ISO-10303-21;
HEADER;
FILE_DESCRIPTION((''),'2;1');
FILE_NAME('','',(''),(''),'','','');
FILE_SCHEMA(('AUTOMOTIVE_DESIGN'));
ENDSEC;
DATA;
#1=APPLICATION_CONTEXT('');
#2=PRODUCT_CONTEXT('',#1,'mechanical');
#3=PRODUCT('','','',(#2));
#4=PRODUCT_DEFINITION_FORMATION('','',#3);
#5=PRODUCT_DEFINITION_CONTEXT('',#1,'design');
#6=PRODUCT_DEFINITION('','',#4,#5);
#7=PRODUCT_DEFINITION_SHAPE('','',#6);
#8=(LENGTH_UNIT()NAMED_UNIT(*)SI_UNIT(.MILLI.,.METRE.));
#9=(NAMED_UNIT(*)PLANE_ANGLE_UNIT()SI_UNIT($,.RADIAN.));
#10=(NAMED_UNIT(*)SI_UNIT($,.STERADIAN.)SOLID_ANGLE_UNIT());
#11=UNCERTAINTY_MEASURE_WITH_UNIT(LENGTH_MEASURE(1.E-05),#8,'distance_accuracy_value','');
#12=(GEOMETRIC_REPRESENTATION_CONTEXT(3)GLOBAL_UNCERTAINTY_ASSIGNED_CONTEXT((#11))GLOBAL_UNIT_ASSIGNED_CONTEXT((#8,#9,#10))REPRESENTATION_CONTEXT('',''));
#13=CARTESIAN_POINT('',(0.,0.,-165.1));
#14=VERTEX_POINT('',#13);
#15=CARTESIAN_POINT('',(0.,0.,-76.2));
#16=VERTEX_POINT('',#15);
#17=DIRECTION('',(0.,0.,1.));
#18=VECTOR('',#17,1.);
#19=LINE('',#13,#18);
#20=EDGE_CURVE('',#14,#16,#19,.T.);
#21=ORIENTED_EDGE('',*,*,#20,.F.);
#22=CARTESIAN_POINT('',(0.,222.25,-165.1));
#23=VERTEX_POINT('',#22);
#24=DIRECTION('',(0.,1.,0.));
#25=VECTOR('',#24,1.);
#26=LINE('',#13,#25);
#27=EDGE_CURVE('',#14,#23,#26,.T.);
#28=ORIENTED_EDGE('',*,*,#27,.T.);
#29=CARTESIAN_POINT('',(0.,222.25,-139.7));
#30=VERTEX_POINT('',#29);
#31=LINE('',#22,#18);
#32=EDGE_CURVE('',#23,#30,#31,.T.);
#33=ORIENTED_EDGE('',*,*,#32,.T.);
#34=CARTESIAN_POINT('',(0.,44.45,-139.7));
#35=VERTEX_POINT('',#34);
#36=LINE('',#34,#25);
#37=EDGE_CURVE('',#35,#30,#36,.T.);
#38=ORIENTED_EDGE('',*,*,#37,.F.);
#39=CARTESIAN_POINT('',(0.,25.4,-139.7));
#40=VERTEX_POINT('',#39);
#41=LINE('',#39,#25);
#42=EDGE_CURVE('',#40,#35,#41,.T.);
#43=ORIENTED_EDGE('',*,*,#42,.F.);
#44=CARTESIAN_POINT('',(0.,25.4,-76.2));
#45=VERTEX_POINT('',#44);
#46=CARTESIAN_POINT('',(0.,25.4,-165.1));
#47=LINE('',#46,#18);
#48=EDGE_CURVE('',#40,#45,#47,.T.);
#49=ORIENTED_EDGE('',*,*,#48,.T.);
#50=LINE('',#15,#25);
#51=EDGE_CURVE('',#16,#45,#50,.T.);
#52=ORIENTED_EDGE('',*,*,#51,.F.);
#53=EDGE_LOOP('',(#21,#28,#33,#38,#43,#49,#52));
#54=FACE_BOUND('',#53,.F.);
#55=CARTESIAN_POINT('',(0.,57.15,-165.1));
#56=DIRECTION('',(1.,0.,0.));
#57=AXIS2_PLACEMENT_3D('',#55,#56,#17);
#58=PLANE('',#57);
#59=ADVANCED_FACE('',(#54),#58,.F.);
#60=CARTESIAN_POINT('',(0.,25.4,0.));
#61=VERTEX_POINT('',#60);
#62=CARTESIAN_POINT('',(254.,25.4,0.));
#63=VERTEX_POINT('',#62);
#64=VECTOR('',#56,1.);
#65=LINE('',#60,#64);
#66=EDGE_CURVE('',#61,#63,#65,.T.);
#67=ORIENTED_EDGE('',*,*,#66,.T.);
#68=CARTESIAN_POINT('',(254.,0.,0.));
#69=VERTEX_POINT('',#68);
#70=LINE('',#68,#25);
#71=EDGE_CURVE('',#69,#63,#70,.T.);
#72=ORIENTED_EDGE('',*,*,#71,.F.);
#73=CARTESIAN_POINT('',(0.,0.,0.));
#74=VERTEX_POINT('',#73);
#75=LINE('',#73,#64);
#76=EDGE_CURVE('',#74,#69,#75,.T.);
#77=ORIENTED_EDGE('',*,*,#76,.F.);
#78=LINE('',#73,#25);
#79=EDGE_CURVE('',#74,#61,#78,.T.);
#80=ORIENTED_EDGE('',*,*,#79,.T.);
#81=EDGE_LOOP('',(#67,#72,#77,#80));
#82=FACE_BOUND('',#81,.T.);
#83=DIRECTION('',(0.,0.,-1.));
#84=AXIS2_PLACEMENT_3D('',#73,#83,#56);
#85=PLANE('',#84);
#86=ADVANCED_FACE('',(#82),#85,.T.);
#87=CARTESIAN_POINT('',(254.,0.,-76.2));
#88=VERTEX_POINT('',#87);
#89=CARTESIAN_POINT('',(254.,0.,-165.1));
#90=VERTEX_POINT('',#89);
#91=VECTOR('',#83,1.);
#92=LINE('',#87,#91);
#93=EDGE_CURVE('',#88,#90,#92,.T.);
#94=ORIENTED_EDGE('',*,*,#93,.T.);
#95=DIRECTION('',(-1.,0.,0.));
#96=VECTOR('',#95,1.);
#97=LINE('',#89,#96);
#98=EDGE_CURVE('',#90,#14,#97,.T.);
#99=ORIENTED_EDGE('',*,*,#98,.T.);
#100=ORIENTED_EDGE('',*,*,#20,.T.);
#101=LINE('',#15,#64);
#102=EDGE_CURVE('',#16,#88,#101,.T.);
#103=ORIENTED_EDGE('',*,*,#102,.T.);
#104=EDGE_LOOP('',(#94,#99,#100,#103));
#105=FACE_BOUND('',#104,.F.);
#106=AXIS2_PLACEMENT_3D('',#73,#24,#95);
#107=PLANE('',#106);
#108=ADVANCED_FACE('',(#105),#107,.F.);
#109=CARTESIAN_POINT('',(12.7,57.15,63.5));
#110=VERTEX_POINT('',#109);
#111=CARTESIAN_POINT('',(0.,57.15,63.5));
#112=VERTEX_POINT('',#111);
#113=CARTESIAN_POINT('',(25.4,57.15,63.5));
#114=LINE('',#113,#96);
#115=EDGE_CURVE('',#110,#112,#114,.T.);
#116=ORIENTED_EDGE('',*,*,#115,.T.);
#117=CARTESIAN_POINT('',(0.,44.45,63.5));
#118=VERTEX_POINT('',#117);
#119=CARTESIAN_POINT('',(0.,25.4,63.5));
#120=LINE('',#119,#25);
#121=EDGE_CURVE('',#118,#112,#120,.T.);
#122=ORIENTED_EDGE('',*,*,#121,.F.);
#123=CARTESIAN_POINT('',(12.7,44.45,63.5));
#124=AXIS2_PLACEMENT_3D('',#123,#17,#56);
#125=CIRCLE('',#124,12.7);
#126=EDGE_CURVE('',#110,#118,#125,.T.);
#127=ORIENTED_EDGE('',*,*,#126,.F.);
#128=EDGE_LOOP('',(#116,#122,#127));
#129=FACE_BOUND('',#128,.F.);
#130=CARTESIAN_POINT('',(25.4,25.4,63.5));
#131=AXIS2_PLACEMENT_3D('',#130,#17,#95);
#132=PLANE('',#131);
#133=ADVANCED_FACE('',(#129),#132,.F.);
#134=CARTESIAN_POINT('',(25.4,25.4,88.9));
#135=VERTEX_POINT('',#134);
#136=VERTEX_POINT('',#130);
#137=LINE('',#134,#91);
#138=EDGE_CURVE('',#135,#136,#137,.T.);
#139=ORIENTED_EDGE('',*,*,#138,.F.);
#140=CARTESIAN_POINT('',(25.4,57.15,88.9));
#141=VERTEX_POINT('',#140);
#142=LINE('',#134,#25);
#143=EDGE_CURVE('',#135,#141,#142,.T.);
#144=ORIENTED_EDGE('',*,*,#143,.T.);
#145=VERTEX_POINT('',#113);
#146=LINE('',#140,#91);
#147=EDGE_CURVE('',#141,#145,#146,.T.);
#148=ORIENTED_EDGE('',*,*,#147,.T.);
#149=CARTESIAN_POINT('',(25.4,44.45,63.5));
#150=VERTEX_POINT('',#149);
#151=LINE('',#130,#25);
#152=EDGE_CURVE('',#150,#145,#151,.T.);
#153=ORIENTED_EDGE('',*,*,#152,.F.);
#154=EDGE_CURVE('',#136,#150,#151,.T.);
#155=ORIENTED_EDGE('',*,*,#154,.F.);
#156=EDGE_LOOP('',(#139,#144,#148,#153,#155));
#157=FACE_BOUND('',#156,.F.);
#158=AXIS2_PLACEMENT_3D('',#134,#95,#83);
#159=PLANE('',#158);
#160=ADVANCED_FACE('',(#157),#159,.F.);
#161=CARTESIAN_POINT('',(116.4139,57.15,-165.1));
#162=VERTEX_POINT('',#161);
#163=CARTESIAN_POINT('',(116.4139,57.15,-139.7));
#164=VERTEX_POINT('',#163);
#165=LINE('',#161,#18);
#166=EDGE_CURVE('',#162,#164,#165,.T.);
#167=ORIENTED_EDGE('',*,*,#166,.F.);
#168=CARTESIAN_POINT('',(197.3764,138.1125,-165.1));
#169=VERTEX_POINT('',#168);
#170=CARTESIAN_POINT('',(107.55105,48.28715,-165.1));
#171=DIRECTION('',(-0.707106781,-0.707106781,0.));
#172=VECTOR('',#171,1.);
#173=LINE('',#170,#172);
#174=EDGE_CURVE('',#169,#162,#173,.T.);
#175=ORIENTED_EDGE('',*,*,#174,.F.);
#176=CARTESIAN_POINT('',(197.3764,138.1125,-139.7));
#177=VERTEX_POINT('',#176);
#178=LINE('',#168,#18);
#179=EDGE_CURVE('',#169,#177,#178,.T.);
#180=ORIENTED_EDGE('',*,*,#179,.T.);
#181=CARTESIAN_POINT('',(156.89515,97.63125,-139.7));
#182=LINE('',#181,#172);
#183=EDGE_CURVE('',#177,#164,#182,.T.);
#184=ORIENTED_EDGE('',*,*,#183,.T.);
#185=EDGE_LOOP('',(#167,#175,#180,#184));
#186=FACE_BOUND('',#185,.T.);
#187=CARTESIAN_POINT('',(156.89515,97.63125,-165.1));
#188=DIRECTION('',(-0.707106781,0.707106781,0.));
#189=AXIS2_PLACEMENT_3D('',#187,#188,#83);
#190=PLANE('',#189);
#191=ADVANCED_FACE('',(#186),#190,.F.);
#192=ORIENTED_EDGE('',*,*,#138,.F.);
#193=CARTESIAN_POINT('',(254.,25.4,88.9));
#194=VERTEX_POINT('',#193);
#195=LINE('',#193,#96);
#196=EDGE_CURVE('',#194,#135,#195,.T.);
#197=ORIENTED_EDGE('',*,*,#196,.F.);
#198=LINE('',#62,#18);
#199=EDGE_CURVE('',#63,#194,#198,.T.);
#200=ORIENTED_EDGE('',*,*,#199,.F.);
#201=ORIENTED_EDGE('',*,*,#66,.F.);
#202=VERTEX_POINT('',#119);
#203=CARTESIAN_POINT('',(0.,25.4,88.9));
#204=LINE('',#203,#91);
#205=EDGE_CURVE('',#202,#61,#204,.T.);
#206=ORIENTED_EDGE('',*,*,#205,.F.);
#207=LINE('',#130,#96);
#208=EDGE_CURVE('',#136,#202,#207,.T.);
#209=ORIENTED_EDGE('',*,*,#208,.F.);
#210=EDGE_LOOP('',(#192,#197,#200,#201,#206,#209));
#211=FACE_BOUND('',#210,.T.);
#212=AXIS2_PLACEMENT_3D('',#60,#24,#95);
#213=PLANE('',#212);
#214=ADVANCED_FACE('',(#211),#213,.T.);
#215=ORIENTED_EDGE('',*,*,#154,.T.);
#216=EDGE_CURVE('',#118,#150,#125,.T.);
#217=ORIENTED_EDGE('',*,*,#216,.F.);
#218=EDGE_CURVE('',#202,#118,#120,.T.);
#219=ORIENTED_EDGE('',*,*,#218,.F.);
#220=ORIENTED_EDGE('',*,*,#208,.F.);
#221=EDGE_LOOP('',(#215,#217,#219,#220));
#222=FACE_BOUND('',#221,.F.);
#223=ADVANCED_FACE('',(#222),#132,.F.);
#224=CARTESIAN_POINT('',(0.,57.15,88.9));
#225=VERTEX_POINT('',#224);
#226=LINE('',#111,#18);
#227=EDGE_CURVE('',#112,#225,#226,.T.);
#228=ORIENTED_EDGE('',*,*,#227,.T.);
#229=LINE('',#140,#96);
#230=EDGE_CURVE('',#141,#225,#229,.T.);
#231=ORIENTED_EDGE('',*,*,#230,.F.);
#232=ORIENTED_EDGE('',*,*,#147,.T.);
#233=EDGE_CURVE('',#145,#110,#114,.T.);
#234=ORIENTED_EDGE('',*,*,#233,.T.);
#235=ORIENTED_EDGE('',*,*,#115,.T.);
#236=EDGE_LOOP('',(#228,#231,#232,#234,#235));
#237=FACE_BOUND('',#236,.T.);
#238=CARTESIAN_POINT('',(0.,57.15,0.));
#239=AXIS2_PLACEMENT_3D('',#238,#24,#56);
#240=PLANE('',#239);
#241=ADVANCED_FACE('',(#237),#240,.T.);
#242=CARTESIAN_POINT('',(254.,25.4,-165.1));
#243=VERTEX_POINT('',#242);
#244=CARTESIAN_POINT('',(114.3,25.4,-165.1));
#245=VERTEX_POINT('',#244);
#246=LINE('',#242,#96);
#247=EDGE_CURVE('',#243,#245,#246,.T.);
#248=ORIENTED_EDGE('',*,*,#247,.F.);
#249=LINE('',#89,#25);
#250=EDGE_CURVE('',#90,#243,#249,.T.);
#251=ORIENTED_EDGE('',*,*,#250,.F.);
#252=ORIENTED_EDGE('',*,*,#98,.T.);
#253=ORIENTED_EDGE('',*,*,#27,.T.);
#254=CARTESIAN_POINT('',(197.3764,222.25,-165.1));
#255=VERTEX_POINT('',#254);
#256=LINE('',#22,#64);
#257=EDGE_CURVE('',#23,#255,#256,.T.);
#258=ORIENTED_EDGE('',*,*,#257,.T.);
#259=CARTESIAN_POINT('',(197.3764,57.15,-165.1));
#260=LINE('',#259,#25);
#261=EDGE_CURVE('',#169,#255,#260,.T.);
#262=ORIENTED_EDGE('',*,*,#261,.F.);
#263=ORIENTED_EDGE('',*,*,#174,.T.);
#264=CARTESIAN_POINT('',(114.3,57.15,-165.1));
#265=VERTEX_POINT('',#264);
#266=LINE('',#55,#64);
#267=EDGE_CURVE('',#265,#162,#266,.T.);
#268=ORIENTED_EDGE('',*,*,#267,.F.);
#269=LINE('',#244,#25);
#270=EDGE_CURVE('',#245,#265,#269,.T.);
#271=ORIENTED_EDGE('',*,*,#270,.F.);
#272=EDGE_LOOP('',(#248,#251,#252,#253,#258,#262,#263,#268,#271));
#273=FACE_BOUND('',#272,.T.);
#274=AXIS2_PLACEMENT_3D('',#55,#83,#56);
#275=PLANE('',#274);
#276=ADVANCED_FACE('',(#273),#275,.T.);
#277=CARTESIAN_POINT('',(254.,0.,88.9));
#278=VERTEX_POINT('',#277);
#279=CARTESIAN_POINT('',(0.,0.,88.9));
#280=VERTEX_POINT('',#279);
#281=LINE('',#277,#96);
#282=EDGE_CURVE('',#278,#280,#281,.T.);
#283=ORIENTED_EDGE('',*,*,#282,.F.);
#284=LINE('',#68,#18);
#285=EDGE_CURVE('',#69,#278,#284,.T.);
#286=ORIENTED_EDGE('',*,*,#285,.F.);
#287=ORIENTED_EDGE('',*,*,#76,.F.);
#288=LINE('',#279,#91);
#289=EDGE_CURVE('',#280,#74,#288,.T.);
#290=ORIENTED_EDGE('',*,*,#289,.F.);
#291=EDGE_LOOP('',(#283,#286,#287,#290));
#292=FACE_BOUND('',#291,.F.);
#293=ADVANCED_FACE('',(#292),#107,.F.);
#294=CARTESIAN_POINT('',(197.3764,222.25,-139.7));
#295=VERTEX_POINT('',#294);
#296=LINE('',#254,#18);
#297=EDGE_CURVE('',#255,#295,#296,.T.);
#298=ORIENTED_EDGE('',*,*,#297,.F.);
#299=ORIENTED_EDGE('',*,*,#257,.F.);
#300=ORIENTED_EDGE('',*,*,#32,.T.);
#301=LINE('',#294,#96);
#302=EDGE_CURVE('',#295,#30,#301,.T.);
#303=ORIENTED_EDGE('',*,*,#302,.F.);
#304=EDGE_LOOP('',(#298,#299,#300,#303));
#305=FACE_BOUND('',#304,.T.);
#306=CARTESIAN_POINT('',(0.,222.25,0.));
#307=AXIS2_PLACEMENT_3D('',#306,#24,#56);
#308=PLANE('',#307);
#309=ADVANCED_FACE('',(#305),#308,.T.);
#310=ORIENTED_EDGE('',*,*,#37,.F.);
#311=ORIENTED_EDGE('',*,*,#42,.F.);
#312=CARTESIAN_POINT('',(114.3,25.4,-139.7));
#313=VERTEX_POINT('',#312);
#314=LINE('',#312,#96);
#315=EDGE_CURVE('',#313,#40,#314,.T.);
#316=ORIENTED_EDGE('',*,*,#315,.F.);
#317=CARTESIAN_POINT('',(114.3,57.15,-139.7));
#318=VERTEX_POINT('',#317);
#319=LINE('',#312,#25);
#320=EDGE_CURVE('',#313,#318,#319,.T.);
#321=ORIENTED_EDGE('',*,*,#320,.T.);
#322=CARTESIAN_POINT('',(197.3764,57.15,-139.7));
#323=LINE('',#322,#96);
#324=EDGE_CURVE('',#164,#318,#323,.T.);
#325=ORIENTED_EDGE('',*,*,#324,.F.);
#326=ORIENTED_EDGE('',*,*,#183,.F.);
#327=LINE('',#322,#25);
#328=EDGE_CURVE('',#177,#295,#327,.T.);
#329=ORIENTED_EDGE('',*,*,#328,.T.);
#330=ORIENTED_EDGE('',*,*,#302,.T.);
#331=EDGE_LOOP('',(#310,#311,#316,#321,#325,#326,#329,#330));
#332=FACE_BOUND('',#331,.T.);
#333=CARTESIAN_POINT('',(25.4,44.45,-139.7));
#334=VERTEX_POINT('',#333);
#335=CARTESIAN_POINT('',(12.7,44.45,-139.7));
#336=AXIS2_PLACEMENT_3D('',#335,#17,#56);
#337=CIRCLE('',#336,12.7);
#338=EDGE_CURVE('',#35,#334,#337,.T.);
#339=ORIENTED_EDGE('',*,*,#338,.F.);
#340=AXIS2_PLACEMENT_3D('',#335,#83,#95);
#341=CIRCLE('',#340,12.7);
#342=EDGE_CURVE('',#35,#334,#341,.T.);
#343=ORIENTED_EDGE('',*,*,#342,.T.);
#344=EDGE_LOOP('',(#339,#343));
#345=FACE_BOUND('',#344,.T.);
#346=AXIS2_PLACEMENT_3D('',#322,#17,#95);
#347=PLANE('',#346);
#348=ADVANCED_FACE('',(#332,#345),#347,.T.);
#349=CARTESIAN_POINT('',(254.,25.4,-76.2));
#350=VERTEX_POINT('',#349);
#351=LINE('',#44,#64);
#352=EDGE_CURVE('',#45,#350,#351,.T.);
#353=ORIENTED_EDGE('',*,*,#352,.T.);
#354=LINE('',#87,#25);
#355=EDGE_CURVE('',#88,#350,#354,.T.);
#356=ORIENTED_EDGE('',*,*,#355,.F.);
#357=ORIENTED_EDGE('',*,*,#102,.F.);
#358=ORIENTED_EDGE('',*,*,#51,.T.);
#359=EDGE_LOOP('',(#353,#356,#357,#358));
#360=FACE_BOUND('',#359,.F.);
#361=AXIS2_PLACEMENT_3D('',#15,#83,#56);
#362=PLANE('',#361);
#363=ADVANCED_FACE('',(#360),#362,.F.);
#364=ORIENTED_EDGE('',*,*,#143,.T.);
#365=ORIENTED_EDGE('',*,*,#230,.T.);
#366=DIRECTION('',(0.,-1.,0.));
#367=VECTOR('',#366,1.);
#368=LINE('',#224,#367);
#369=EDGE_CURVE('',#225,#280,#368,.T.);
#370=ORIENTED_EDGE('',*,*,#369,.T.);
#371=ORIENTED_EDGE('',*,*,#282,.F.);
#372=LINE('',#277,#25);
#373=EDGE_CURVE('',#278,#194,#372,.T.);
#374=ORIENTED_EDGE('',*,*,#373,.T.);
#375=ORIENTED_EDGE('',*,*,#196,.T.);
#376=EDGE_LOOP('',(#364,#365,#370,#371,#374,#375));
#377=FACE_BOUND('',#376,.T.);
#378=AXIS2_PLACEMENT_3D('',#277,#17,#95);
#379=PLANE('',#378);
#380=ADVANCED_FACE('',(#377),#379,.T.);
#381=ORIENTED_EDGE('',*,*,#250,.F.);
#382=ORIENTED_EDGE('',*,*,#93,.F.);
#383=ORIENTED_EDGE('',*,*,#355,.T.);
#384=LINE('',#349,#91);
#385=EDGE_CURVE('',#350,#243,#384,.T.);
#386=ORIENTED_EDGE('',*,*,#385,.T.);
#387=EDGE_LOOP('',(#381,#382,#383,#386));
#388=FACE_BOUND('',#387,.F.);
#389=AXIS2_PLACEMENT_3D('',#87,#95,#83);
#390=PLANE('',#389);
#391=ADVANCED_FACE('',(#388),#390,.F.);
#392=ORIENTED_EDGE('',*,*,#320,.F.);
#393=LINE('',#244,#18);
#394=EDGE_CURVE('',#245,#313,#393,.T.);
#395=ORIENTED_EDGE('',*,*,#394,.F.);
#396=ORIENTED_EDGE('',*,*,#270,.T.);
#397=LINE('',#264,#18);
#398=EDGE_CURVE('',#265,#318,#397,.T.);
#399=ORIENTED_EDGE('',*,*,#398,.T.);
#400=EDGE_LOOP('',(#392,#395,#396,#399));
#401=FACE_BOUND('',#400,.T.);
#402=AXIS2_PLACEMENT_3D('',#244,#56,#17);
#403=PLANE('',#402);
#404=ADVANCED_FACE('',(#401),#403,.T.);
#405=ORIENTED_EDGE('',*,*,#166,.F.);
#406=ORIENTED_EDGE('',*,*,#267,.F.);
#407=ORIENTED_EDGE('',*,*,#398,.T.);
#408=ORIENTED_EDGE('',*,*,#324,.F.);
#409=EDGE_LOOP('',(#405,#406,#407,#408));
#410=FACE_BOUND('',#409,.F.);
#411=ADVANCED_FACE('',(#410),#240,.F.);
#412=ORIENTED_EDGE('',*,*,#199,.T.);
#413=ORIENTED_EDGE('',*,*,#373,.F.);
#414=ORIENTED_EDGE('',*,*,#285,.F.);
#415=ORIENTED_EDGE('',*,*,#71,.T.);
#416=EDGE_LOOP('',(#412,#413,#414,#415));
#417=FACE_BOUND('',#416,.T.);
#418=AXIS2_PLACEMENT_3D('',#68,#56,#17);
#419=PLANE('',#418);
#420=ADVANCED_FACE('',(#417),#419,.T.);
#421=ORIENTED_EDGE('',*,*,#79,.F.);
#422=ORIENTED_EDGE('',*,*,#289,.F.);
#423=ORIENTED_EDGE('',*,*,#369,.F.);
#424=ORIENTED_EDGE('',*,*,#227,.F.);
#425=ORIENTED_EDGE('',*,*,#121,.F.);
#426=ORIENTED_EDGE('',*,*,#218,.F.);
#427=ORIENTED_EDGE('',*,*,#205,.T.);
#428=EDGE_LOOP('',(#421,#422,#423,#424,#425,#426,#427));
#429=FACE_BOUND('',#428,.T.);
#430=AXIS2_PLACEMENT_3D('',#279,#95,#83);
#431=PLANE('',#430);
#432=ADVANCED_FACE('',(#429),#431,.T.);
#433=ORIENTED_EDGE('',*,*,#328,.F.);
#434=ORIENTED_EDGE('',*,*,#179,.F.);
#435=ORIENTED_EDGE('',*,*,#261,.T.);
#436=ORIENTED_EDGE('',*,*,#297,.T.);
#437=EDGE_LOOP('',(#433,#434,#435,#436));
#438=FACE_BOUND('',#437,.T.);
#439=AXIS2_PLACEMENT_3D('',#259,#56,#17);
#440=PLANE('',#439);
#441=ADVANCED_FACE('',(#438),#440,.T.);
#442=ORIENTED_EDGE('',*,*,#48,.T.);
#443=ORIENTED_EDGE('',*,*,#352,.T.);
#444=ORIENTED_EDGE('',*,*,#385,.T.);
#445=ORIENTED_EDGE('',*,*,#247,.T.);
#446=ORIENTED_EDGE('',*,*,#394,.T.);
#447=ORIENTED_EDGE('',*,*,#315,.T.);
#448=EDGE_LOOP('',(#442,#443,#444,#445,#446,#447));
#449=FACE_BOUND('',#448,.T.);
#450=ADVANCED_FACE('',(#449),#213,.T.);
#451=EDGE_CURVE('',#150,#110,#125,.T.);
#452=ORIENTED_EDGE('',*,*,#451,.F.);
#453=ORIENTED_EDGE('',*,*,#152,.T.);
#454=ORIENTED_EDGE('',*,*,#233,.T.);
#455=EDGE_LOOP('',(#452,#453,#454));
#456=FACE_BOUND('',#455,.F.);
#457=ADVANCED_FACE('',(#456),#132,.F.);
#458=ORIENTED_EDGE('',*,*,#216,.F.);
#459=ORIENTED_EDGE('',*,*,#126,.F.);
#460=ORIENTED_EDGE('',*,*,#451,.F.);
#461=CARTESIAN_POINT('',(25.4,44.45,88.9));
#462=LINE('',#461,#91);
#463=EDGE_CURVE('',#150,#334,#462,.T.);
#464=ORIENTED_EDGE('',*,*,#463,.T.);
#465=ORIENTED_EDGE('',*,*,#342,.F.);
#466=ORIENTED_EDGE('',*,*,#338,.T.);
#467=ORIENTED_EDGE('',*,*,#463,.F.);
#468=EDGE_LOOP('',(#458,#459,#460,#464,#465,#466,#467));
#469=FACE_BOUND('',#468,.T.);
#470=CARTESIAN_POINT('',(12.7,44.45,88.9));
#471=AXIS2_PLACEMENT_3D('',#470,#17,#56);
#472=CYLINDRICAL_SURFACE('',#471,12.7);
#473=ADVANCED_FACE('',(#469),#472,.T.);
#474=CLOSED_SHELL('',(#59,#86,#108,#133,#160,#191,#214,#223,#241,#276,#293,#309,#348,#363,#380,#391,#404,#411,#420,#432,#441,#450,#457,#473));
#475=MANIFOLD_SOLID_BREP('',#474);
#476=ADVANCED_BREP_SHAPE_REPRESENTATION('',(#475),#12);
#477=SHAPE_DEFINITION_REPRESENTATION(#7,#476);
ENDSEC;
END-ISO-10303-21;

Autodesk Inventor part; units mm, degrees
ref_plane "YZ Plane" through (0, 0, 0) normal (1, 0, 0) x (0, 1, 0)
ref_plane "XZ Plane" through (0, 0, 0) normal (0, 1, 0) x (-1, 0, 0)
ref_plane "XY Plane" through (0, 0, 0) normal (0, 0, 1) x (1, 0, 0)
sketch "Sketch1" plane through (0, 0, 0) normal (0, 1, 0) x (-1, 0, 0)
  line L0 (0, 0) -> (-254, 0)
  line L1 (-254, 0) -> (-254, 88.9)
  line L2 (-254, 88.9) -> (0, 88.9)
  line L3 (0, 88.9) -> (0, 0)
  line L4 (0, -76.2) -> (-254, -76.2)
  line L5 (-254, -76.2) -> (-254, -165.1)
  line L6 (-254, -165.1) -> (0, -165.1)
  line L7 (0, -165.1) -> (0, -76.2)
  dimension "d0" = 88.9
  dimension "d1" = 254
  dimension "d2" = 254
  dimension "d3" = 88.9
  dimension "d4" = 76.2
extrude "Extrusion1" add sketch "Sketch1" along normal blind 25.4
sketch "Sketch2" plane through (0, 25.4, 0) normal (0, 1, 0) x (1, 0, 0)
  line L0 (0, -88.9) -> (25.4, -88.9)
  line L1 (25.4, -88.9) -> (25.4, -63.5)
  line L2 (25.4, -63.5) -> (0, -63.5)
  line L3 (0, -63.5) -> (0, -88.9)
  line L4 (0, 165.1) -> (114.3, 165.1)
  line L5 (114.3, 165.1) -> (114.3, 139.7)
  line L6 (114.3, 139.7) -> (0, 139.7)
  line L7 (0, 139.7) -> (0, 165.1)
  point P0 (25.4, 139.7)
  dimension "d7" = 25.4
  dimension "d17" = 114.3
  dimension "d18" = 25.4
extrude "Extrusion2" add sketch "Sketch2" along normal blind 31.75
sketch "Sketch3" plane through (0, 0, 88.9) normal (0, 0, 1) x (1, 0, 0)
  circle A0 centre (12.7, 44.45) radius 12.7
  line L0 (25.4, 57.15) -> (0, 57.15) projected
  point P0 (0, 0)
  dimension "d13" = 12.7
  dimension "d14" = 25.4
extrude "Extrusion3" add sketch "Sketch3" against normal blind 242.8875
sketch "Sketch4" plane through (0, 57.15, 0) normal (0, 1, 0) x (1, 0, 0)
  line L0 (0, 165.1) -> (0, 76.2) projected
  line L1 (0, 165.1) -> (197.3764, 165.1)
  line L2 (197.3764, 165.1) -> (197.3764, 139.7)
  line L3 (197.3764, 139.7) -> (0, 139.7)
  line L4 (0, 139.7) -> (0, 165.1)
  point P0 (0, 0)
extrude "Extrusion4" add sketch "Sketch4" along normal blind 165.1
chamfer "Chamfer1" distance 80.9625 angle 45 1 edges at (197.3764, 57.15, -152.4)
properties part number "handbase"
